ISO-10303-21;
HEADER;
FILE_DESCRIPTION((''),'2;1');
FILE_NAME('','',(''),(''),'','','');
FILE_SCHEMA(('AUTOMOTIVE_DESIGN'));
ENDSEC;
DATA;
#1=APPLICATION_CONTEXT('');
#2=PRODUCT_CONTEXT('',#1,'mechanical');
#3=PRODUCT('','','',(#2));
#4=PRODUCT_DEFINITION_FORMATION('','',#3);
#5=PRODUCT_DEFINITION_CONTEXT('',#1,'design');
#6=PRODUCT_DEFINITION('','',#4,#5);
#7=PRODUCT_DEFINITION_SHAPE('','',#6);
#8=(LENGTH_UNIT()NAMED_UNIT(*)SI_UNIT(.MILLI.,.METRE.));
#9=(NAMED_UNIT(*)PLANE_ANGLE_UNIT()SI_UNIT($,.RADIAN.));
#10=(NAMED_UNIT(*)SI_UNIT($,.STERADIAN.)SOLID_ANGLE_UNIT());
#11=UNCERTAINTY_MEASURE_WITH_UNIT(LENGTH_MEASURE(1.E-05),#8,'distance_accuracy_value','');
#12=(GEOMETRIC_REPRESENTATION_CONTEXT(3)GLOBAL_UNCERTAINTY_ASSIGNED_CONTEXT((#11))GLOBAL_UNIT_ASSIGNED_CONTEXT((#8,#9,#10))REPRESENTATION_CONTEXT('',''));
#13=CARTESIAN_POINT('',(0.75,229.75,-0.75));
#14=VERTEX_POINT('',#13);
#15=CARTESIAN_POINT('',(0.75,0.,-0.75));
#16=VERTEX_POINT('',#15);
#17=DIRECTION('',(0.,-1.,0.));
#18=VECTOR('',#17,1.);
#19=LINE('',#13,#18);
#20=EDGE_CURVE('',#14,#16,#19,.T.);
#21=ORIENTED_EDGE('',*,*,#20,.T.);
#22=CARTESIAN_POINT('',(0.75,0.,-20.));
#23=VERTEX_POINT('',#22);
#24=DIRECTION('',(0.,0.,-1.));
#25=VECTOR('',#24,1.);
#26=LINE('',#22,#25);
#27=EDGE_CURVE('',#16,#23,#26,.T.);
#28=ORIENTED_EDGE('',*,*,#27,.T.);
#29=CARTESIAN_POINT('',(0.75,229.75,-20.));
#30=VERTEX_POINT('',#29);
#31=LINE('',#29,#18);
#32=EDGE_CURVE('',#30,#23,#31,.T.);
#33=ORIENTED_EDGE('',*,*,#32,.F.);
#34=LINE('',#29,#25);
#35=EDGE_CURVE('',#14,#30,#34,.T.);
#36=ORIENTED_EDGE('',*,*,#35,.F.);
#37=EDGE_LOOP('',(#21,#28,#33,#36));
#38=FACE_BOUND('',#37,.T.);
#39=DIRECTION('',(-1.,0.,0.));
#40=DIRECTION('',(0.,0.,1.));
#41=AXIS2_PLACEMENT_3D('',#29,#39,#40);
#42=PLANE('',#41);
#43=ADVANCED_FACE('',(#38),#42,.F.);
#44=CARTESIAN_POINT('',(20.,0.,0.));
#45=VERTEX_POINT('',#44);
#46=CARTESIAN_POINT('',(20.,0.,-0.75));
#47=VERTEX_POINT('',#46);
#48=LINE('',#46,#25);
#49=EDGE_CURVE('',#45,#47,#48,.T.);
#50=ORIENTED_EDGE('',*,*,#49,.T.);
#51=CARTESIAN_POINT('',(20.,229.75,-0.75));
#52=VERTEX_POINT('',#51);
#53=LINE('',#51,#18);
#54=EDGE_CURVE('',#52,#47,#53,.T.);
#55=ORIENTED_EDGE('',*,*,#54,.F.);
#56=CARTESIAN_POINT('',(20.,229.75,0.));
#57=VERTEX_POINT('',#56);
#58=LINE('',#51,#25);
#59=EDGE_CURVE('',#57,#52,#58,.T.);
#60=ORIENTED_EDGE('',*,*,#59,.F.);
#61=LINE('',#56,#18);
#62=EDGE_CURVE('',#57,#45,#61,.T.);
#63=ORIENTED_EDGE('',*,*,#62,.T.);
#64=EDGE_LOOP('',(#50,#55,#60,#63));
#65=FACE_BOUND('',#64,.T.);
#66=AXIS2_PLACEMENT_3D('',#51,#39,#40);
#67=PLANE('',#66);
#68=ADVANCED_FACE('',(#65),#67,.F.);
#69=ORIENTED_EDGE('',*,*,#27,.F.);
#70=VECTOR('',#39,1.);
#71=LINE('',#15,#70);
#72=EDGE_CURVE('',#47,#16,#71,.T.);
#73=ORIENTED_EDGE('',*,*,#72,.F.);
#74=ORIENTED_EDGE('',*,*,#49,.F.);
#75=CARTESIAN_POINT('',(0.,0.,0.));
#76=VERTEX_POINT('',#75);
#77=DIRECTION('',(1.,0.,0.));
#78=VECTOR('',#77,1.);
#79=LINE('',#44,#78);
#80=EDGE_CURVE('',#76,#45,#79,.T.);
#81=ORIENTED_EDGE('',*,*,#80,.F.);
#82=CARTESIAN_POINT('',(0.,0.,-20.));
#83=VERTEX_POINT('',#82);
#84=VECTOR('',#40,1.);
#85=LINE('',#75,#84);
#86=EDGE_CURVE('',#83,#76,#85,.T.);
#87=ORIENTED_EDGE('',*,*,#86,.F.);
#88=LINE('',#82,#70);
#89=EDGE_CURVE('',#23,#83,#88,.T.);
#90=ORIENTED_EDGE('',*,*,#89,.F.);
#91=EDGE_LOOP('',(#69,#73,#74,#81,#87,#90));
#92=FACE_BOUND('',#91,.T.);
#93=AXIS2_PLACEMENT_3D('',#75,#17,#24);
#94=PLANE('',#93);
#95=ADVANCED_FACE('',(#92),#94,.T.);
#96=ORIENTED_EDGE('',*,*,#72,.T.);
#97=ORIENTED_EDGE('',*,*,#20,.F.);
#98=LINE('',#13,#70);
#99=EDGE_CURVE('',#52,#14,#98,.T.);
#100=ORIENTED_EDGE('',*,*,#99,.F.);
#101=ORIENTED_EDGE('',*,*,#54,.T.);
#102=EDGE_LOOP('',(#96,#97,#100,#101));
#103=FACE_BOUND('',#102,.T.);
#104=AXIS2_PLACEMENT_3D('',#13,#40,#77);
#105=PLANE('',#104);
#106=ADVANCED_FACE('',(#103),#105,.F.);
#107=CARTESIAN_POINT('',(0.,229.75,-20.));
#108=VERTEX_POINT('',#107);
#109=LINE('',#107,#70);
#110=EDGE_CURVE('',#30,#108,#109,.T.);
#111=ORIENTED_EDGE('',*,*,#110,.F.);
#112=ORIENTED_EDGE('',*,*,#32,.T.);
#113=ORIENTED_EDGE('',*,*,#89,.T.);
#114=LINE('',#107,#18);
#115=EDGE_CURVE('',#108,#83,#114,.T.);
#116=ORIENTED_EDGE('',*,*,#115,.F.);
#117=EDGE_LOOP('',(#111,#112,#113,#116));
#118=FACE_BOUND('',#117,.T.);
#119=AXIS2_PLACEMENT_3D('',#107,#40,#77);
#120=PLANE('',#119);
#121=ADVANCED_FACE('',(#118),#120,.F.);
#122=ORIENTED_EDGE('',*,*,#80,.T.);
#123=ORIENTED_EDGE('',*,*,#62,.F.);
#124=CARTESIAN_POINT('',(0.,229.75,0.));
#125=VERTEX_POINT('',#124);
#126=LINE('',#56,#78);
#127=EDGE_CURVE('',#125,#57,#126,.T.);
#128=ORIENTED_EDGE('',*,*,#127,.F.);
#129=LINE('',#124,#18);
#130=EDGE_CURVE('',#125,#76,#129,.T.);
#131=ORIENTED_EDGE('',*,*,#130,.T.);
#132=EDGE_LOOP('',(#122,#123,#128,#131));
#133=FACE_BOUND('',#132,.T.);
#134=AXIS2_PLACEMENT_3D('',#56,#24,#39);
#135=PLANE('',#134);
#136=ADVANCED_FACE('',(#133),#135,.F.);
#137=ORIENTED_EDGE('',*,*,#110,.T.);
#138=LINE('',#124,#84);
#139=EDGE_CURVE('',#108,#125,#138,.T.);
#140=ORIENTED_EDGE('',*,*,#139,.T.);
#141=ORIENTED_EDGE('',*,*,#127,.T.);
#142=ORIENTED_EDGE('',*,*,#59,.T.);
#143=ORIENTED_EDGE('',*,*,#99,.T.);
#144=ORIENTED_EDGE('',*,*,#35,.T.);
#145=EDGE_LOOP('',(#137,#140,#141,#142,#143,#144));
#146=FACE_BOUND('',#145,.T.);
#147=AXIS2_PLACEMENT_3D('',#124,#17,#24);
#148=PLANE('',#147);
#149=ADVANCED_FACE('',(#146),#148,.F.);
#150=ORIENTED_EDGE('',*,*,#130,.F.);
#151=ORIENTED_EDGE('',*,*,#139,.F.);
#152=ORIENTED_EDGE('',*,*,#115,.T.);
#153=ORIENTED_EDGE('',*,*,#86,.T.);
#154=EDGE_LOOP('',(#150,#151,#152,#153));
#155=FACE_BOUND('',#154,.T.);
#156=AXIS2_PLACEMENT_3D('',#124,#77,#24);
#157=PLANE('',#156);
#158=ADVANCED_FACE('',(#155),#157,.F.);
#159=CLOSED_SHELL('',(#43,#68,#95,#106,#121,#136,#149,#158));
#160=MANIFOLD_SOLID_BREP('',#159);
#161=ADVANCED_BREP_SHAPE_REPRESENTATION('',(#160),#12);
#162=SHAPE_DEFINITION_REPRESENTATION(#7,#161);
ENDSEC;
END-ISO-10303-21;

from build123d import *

# Parameters (mm, degrees)
EXTRUDE_1_DEPTH = 229.75


with BuildPart() as part:
    # Эскиз1 → Бобышка-Вытянуть1 (new body)
    with BuildSketch(Plane(origin=(0, 0, 0), x_dir=(1, 0, 0), z_dir=(0, 1, 0))):
        Polygon((0, 0), (0, 20), (0.75, 20), (0.75, 0.75), (20, 0.75), (20, 0), align=None)
    extrude(amount=EXTRUDE_1_DEPTH)


solid = part.part
